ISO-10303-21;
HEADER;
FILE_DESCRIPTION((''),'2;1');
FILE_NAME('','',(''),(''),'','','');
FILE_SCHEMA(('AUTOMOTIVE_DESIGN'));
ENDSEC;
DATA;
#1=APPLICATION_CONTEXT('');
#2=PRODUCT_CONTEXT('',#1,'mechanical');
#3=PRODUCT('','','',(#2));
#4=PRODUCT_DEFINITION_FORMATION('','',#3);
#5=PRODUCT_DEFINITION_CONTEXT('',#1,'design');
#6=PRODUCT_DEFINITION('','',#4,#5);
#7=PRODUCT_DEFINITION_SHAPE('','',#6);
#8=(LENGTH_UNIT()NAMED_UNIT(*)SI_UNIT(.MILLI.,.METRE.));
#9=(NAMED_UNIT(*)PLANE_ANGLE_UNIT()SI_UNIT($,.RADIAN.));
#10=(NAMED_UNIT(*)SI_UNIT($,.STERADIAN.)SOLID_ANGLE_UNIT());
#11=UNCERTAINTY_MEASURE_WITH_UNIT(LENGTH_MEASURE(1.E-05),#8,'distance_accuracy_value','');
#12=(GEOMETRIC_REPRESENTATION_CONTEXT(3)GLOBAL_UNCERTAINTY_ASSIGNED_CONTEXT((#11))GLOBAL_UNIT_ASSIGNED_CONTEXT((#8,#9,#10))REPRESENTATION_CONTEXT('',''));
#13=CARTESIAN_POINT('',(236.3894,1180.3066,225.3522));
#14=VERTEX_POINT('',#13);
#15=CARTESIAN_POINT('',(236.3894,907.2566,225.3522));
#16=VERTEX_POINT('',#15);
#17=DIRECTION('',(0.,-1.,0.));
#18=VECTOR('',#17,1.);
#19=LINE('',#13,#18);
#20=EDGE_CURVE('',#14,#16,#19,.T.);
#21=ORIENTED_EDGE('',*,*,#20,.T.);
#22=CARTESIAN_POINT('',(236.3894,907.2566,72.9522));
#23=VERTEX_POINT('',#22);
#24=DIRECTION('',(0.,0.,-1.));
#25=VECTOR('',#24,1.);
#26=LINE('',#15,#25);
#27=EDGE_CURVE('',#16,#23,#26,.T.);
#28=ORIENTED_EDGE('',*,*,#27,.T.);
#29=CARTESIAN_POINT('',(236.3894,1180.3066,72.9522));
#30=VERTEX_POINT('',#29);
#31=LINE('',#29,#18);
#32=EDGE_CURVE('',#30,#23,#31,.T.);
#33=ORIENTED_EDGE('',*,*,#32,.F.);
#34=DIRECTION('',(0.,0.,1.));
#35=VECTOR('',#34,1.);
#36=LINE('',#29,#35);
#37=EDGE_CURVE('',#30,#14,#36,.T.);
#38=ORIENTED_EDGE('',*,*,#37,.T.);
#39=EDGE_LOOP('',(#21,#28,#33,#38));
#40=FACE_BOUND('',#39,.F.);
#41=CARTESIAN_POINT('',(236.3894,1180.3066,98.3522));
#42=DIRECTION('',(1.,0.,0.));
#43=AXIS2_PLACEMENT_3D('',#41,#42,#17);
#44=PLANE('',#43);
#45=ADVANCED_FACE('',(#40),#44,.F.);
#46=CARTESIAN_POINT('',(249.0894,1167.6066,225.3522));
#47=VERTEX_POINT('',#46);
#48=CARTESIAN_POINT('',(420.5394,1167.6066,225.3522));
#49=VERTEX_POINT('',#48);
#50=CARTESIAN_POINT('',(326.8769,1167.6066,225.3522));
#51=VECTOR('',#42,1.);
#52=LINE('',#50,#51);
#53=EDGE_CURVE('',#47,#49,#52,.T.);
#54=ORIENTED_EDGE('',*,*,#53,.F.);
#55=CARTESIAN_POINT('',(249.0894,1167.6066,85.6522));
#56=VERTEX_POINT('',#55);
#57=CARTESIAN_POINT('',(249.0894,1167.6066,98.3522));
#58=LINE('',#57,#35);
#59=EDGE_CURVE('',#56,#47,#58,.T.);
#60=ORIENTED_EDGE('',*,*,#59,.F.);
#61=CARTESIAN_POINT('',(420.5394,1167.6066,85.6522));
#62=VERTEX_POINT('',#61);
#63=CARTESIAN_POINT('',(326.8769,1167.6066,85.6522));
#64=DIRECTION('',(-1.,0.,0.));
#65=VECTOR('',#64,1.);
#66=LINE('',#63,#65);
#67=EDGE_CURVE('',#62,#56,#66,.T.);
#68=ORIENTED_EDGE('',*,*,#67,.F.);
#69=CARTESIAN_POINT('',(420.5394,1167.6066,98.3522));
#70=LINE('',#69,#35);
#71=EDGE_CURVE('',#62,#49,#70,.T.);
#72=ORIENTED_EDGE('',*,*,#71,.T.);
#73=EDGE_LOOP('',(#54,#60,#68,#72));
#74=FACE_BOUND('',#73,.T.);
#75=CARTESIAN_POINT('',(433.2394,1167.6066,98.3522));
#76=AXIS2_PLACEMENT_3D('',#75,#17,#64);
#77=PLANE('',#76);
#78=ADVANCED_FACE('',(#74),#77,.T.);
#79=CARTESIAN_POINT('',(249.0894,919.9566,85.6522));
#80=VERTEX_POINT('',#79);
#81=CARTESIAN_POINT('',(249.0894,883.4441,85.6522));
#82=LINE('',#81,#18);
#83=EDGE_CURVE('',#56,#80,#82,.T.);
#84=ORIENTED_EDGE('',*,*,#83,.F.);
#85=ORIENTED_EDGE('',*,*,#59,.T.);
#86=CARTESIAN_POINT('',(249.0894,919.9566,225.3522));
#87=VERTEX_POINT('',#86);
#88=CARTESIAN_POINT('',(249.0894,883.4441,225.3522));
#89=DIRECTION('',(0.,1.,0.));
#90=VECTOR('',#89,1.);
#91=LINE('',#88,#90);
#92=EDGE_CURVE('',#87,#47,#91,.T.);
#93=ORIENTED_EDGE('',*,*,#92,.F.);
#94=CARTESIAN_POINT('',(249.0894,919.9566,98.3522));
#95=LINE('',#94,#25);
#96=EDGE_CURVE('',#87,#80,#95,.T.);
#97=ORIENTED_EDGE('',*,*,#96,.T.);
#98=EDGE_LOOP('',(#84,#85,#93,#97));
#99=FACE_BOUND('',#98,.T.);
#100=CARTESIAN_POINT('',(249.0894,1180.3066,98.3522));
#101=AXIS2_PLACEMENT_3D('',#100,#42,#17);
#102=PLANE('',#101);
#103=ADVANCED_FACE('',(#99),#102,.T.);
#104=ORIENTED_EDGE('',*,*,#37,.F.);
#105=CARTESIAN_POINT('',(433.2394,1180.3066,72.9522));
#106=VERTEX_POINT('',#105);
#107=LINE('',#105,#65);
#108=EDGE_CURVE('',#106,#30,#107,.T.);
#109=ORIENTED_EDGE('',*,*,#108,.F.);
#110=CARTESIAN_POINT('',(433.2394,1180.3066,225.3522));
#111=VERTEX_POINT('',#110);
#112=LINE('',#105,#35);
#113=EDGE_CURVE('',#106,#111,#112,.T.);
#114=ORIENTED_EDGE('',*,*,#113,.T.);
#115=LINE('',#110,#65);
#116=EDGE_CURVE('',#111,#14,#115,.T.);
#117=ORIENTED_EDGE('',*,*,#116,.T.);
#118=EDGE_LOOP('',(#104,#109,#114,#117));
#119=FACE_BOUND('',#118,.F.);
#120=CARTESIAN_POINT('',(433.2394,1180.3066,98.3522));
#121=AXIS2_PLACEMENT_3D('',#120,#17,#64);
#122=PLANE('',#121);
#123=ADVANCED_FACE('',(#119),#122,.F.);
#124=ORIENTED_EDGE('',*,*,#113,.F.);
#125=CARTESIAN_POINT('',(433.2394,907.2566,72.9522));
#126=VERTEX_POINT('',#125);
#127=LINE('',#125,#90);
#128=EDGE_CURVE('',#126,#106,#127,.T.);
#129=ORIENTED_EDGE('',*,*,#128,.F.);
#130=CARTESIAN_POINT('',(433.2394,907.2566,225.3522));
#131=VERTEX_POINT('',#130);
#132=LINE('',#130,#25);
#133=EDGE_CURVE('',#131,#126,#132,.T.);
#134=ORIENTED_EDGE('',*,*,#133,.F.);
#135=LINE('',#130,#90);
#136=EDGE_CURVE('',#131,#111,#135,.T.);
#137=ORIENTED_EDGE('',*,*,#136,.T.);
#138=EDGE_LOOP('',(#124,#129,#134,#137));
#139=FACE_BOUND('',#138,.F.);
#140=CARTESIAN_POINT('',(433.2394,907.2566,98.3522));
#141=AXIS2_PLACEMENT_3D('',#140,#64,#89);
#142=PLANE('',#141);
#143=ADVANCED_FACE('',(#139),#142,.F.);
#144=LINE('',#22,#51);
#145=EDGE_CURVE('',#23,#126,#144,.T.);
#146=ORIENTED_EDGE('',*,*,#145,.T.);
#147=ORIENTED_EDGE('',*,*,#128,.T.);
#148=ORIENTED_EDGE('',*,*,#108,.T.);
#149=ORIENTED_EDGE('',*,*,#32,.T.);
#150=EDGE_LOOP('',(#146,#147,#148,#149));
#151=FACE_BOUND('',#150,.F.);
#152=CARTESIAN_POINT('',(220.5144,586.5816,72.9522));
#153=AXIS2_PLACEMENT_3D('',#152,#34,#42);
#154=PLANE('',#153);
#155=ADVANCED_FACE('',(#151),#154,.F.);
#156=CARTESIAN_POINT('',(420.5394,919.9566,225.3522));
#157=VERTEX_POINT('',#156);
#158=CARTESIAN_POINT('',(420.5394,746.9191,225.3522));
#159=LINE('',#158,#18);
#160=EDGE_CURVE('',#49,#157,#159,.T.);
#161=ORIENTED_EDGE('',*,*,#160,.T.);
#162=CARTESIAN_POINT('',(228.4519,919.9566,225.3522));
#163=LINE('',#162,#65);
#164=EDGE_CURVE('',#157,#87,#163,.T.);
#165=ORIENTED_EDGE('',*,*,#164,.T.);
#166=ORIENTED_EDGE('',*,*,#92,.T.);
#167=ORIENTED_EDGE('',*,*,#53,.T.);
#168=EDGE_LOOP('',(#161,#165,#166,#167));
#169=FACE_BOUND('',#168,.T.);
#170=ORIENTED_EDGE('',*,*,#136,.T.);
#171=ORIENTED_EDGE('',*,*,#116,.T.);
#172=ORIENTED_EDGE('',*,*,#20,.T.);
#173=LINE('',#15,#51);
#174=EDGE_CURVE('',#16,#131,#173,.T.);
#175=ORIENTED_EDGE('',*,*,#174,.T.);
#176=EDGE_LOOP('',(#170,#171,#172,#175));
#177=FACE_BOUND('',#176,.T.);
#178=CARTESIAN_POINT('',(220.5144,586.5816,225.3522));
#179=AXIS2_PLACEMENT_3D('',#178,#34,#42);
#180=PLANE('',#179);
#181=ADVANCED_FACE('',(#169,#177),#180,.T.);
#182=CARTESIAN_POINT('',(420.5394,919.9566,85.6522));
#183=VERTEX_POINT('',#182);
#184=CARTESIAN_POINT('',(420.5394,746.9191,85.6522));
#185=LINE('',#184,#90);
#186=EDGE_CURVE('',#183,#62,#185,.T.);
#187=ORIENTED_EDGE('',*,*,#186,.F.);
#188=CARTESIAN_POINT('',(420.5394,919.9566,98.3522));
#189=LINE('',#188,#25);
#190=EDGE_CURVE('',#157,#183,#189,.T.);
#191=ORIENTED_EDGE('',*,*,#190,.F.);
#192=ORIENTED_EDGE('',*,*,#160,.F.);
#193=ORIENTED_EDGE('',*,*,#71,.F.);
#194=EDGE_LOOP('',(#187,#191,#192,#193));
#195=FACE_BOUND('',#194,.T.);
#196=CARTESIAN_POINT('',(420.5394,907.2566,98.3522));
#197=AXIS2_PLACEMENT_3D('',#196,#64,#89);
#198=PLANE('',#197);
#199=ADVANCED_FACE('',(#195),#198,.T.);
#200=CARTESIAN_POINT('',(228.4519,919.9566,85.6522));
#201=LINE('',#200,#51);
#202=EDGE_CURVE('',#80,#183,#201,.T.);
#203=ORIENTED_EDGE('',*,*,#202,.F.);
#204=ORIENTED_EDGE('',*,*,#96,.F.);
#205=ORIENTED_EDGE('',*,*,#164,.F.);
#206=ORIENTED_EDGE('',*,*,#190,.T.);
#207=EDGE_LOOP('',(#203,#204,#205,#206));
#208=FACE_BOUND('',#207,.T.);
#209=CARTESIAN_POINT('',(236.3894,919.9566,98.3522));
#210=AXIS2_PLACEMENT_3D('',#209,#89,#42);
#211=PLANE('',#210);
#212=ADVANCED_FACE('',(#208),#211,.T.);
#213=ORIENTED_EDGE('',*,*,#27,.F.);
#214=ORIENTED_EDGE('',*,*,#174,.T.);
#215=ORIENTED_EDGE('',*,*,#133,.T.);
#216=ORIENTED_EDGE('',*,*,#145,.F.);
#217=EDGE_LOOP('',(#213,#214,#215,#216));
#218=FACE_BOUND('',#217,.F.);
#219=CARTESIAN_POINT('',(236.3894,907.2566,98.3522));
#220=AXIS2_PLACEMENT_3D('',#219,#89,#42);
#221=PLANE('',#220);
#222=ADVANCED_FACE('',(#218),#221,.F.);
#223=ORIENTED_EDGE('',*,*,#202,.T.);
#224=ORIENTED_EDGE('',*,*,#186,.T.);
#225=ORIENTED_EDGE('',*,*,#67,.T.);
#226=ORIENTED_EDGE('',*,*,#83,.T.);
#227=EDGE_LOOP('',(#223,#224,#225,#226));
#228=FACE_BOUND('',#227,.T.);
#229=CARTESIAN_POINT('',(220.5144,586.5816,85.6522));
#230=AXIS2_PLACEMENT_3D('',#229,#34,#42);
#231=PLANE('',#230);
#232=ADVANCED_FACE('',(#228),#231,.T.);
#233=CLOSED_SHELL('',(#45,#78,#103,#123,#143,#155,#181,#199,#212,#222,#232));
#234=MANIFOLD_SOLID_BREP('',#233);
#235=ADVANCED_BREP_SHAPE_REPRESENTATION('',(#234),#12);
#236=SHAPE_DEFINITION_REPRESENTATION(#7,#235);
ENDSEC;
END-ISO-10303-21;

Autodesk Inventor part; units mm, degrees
ref_plane "YZ Plane" through (0, 0, 0) normal (1, 0, 0) x (0, 1, 0)
ref_plane "XZ Plane" through (0, 0, 0) normal (0, 1, 0) x (-1, 0, 0)
ref_plane "Work Plane1" through (220.5144, 586.5816, 98.3522) normal (0, 0, 1) x (1, 0, 0)
sketch "Sketch1" plane through (220.5144, 586.5816, 98.3522) normal (0, 0, 1) x (1, 0, 0)
  line L0 (12.7, 622.3) -> (215.9, 622.3)
  line L1 (12.7, 317.5) -> (215.9, 317.5)
  line L2 (241.3, 317.5) -> (241.3, 596.9)
  line L3 (-12.7, 596.9) -> (-12.7, 317.5)
  line L4 (215.9, 596.9) -> (12.7, 596.9)
  line L5 (215.9, 596.9) -> (215.9, 317.5)
  line L6 (12.7, 317.5) -> (12.7, 596.9)
  line L7 (212.725, 593.725) -> (15.875, 593.725)
  line L8 (15.875, 593.725) -> (15.875, 320.675)
  line L9 (15.875, 320.675) -> (212.725, 320.675)
  line L10 (212.725, 320.675) -> (212.725, 593.725)
  point P0 (-220.5144, -586.5816)
extrude "Extrusion1" add sketch "Sketch1" along normal blind 127 and the other way blind 25.4 contours L10 L9 L8 L7
shell "Shell1" thickness 12.7 removed faces 1 at (302.006, 1089.2899, 225.3522)
sketch "Sketch2" plane through (433.2394, 907.2566, 225.3522) normal (1, 0, 0) x (0, 0, -1)
  line L0 (3.6537, 3.0906) -> (3.6537, 49.4858) construction
  line L1 (3.6537, 49.4858) -> (36.2785, 49.4858) construction
  line L2 (36.2785, 49.4858) -> (36.2785, 3.0906) construction
  line L3 (36.2785, 3.0906) -> (3.6537, 3.0906) construction
  line L4 (64.1536, 108.921) -> (64.1536, 155.3161) construction
  line L5 (64.1536, 155.3161) -> (96.7784, 155.3161) construction
  line L6 (96.7784, 155.3161) -> (96.7784, 108.921) construction
  line L7 (96.7784, 108.921) -> (64.1536, 108.921) construction
  point P0 (225.3522, -907.2566)
sketch "Sketch3" plane through (236.3894, 907.2566, 225.3522) normal (-1, 0, 0) x (0, 0, 1)
  line L0 (-64.8568, 166.6409) -> (-64.8568, 120.2457) construction
  line L1 (-64.8568, 120.2457) -> (-97.4816, 120.2457) construction
  line L2 (-97.4816, 120.2457) -> (-97.4816, 166.6409) construction
  line L3 (-97.4816, 166.6409) -> (-64.8568, 166.6409) construction
  line L4 (-4.4124, 269.0962) -> (-4.4124, 222.701) construction
  line L5 (-4.4124, 222.701) -> (-37.0372, 222.701) construction
  line L6 (-37.0372, 222.701) -> (-37.0372, 269.0962) construction
  line L7 (-37.0372, 269.0962) -> (-4.4124, 269.0962) construction
  point P0 (-225.3522, -907.2566)
properties part number "Bucket"
